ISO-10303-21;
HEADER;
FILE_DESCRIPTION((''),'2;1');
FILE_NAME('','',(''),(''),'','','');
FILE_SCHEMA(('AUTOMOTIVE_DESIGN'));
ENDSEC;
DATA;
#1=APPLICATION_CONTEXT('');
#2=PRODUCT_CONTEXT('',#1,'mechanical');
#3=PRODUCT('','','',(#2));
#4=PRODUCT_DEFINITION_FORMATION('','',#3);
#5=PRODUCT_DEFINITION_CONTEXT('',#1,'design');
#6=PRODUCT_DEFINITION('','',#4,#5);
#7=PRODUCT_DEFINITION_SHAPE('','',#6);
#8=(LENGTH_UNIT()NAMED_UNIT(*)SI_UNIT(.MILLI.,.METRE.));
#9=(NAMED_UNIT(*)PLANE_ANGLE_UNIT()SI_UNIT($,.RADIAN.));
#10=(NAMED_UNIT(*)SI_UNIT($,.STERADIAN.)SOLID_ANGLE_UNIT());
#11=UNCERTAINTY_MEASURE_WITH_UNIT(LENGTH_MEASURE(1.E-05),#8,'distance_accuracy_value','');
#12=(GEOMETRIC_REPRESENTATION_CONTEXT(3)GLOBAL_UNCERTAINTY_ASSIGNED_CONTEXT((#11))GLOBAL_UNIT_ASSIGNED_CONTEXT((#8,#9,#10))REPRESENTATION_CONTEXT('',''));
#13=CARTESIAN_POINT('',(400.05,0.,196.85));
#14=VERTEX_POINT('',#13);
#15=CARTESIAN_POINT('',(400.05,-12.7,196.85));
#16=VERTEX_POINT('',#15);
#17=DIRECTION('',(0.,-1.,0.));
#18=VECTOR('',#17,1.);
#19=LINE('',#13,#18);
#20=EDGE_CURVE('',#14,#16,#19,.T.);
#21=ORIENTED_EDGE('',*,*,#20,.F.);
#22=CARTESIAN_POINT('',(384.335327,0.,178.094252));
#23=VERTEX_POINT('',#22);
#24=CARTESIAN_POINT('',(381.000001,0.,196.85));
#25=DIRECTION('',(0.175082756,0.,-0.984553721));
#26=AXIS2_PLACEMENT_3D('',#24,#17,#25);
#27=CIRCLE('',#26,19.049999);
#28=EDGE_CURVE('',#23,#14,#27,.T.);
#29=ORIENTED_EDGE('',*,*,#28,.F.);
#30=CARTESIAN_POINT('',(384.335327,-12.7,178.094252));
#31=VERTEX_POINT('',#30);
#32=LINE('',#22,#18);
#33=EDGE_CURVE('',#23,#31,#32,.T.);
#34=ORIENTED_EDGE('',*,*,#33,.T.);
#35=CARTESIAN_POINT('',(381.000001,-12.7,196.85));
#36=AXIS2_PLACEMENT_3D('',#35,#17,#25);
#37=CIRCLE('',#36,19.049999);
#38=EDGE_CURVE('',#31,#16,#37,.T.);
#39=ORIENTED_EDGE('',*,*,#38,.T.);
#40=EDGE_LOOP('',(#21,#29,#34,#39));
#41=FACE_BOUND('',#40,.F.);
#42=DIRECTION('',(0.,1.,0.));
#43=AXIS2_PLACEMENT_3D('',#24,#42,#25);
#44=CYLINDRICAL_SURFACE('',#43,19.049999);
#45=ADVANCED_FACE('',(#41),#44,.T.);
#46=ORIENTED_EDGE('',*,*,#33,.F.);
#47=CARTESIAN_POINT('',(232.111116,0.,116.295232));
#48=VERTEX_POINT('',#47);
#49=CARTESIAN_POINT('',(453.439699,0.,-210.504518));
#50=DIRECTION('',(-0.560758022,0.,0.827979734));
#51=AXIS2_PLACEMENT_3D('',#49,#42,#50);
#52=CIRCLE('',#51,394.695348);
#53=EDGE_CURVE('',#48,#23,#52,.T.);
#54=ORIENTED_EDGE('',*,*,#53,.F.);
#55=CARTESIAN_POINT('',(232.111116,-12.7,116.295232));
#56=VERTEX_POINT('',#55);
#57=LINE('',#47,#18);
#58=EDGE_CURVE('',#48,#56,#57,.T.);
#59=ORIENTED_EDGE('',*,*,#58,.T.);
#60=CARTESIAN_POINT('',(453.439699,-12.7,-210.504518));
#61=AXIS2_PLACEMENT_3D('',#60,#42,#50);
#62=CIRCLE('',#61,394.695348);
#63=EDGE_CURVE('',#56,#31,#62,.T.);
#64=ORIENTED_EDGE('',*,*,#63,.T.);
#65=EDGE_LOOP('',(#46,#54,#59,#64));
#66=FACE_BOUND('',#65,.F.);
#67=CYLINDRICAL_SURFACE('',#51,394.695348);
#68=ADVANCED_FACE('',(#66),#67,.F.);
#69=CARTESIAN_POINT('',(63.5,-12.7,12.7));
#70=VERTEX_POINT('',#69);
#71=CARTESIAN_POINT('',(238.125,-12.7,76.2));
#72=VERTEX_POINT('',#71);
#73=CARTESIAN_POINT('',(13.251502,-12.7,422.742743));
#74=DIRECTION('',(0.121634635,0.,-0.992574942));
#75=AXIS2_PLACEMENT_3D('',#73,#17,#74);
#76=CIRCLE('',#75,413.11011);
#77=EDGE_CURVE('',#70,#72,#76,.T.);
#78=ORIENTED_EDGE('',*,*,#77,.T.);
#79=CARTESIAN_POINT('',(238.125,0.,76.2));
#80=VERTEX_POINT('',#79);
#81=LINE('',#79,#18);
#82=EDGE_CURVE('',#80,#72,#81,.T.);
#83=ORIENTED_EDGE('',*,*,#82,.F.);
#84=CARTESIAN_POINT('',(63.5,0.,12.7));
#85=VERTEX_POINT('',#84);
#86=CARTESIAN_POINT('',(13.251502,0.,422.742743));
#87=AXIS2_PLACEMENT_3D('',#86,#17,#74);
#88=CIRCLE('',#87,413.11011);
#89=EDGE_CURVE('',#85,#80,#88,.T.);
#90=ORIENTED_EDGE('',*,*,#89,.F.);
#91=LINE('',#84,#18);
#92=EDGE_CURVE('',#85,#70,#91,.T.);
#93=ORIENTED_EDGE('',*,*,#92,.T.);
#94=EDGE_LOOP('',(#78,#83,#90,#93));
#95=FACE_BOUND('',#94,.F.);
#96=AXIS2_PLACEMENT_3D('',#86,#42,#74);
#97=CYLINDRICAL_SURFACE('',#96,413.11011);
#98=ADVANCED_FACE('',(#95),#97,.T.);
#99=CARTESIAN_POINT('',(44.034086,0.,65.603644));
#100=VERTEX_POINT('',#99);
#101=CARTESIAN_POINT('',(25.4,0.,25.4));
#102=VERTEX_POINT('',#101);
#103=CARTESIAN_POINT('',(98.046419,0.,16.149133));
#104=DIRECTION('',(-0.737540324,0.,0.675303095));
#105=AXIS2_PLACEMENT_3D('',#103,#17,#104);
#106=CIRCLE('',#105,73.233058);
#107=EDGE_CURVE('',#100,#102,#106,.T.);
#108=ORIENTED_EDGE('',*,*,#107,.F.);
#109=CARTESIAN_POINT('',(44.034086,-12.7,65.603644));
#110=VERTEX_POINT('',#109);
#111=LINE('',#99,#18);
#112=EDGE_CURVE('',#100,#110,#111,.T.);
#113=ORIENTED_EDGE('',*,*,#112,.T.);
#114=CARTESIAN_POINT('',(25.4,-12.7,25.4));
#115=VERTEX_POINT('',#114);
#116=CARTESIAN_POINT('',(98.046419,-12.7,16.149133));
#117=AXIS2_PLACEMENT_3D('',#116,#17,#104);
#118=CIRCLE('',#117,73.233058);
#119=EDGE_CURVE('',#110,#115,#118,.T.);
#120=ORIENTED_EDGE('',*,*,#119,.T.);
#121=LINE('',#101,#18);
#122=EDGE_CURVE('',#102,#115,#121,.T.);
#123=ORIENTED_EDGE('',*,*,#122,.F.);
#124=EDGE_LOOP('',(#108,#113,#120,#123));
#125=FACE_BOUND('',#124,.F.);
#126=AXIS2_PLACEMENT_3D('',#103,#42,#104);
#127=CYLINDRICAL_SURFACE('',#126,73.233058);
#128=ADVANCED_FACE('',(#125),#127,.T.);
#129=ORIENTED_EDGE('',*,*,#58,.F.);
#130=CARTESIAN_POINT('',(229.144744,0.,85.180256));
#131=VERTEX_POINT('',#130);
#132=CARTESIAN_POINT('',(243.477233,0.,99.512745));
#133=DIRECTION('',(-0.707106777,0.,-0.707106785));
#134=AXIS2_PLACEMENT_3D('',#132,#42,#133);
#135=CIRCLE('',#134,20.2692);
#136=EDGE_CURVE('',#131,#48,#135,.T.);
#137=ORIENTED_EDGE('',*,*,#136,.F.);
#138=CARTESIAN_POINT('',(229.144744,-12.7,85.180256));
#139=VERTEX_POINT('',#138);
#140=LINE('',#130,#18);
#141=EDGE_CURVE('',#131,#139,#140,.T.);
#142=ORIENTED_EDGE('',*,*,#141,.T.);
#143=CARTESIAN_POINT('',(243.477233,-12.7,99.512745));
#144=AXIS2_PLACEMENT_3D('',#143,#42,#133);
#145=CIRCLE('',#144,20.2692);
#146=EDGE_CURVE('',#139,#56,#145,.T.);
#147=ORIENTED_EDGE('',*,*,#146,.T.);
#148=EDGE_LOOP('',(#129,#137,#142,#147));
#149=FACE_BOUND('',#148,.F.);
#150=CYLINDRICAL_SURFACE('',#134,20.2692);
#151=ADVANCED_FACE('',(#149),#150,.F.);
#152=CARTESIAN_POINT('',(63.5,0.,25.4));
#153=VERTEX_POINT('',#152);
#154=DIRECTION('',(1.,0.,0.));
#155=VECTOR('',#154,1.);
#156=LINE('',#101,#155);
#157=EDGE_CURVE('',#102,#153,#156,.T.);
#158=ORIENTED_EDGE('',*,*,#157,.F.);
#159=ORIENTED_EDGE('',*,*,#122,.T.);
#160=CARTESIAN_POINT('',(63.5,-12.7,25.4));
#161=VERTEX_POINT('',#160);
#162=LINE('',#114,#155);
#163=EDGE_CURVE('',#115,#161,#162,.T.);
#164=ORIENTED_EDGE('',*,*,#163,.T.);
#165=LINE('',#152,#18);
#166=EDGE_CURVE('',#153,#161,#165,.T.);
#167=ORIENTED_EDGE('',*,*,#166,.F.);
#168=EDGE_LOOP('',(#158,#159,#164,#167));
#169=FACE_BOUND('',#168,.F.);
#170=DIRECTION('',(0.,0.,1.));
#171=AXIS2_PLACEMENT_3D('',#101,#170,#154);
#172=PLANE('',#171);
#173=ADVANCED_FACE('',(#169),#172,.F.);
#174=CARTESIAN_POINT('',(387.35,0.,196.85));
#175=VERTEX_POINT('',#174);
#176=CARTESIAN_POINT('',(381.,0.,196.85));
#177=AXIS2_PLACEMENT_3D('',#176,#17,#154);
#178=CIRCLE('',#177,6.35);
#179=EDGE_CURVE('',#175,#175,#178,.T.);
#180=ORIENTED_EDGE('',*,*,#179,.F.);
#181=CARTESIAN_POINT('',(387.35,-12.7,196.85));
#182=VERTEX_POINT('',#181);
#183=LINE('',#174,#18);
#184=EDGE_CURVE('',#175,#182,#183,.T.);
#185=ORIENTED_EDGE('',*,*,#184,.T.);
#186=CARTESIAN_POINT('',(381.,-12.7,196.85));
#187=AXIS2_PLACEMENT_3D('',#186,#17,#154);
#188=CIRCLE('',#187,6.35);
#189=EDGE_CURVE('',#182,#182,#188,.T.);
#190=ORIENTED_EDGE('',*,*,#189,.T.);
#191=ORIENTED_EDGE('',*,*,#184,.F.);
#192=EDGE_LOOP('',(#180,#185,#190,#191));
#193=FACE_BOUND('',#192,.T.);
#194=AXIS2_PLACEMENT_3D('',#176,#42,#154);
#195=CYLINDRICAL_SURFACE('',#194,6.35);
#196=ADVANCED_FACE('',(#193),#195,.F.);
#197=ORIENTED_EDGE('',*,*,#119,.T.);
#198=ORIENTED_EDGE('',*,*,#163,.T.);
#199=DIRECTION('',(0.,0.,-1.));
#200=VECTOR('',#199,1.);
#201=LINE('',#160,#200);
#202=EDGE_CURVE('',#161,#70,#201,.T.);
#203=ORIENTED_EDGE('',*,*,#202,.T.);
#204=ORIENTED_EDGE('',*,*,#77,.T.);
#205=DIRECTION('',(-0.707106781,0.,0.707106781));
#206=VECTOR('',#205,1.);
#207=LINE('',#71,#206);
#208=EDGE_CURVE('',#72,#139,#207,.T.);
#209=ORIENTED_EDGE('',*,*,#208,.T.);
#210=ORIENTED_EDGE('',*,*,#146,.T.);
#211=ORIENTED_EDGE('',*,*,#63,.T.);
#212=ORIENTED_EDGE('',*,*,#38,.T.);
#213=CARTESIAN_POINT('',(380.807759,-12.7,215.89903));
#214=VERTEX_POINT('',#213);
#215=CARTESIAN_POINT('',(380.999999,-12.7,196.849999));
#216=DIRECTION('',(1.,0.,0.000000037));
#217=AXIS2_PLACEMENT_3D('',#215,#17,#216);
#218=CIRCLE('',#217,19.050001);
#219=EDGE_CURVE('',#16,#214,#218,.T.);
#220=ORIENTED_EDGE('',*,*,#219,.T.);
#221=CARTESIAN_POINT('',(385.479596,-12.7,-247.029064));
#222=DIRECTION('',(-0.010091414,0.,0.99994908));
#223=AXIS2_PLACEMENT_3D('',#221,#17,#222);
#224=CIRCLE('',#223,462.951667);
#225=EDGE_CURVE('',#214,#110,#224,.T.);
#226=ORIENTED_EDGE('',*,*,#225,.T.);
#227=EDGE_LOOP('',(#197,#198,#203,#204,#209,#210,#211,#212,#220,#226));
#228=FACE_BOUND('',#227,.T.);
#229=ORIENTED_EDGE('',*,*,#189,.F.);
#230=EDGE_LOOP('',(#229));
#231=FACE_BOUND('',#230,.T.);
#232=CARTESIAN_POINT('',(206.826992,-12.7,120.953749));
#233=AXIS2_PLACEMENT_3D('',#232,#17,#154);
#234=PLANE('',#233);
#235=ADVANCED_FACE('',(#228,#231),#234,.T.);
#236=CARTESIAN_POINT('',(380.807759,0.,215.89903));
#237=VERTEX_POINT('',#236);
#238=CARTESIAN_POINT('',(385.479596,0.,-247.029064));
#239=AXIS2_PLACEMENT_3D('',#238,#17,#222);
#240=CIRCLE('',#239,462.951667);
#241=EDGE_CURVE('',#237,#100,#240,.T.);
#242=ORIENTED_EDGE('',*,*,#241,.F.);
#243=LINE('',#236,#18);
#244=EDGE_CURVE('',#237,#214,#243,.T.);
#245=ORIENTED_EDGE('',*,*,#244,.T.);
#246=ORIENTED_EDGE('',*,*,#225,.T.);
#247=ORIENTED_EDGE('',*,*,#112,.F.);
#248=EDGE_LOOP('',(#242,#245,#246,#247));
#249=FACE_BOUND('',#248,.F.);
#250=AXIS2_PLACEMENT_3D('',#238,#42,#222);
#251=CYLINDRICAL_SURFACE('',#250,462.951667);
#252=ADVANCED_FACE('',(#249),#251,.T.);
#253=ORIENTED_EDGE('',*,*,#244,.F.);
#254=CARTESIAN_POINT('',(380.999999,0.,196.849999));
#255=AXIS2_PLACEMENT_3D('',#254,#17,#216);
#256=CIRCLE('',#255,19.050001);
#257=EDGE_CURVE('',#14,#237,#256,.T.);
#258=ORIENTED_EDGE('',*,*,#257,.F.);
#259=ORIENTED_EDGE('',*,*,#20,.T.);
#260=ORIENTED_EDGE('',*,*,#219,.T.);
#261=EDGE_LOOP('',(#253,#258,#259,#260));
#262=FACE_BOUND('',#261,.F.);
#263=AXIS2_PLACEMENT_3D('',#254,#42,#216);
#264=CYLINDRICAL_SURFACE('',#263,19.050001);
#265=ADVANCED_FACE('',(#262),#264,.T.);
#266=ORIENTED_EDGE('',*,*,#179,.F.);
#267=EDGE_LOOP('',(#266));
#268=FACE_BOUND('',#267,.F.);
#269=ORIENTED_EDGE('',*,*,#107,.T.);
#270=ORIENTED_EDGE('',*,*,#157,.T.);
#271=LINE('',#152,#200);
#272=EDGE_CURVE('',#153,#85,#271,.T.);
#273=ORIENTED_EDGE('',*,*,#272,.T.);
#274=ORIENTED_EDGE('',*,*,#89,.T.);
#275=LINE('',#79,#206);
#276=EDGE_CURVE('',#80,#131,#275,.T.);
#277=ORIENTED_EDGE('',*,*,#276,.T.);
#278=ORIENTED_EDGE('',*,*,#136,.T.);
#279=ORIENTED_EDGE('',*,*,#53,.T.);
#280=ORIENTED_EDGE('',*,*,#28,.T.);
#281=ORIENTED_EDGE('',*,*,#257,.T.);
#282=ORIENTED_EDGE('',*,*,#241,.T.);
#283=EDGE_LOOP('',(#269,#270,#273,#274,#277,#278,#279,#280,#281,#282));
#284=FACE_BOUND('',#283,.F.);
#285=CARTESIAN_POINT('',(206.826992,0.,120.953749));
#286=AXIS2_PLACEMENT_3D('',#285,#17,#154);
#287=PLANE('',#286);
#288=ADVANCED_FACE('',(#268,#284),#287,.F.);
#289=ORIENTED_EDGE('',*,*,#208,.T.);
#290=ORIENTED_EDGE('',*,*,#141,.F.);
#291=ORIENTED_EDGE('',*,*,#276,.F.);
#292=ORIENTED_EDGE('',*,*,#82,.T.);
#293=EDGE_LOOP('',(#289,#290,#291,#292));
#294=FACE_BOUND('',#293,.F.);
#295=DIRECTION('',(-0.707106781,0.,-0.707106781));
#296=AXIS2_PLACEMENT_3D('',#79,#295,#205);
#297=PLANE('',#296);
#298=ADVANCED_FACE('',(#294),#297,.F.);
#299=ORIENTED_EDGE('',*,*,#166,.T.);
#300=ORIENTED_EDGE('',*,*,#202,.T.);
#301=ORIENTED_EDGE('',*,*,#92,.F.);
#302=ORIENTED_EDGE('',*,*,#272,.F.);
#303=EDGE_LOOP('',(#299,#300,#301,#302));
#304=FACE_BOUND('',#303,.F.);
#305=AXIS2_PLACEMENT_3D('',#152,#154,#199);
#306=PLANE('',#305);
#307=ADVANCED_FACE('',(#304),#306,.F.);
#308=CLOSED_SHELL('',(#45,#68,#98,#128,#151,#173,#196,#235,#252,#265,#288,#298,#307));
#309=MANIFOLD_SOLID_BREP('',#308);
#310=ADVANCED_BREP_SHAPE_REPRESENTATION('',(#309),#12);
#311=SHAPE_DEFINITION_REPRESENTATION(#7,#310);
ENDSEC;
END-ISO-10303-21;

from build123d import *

# Parameters (mm, degrees)
F0_R     = 6.35
F1_DEPTH = 12.7


with BuildPart() as f1:
    # F0 (on Front) → F1 (new body)
    with BuildSketch(Plane.XZ):
        with BuildLine():
            ThreePointArc((44.034086, 65.603644), (31.603262, 46.945036), (25.4, 25.4))
            Line((25.4, 25.4), (63.5, 25.4))
            Line((63.5, 25.4), (63.5, 12.7))
            ThreePointArc((63.5, 12.7), (154.429017, 34.504579), (238.125, 76.2))
            Line((238.125, 76.2), (229.144744, 85.180256))
            ThreePointArc((229.144744, 85.180256), (223.299522, 101.436404), (232.111116, 116.295232))
            ThreePointArc((232.111116, 116.295232), (304.972177, 155.20276), (384.335327, 178.094252))
            ThreePointArc((384.335327, 178.094252), (362.032394, 195.08013), (380.807759, 215.89903))
            ThreePointArc((380.807759, 215.89903), (196.809301, 175.733004), (44.034086, 65.603644))
        make_face()
        with BuildLine():
            ThreePointArc((400.05, 196.85), (394.402244, 210.388181), (380.807759, 215.89903))
            ThreePointArc((380.807759, 215.89903), (362.032394, 195.08013), (384.335327, 178.094252))
            ThreePointArc((384.335327, 178.094252), (395.602063, 184.61553), (400.05, 196.85))
        make_face()
        with Locations((381, 196.85)):
            Circle(F0_R, mode=Mode.SUBTRACT)
    extrude(amount=F1_DEPTH)


solid = f1.part
